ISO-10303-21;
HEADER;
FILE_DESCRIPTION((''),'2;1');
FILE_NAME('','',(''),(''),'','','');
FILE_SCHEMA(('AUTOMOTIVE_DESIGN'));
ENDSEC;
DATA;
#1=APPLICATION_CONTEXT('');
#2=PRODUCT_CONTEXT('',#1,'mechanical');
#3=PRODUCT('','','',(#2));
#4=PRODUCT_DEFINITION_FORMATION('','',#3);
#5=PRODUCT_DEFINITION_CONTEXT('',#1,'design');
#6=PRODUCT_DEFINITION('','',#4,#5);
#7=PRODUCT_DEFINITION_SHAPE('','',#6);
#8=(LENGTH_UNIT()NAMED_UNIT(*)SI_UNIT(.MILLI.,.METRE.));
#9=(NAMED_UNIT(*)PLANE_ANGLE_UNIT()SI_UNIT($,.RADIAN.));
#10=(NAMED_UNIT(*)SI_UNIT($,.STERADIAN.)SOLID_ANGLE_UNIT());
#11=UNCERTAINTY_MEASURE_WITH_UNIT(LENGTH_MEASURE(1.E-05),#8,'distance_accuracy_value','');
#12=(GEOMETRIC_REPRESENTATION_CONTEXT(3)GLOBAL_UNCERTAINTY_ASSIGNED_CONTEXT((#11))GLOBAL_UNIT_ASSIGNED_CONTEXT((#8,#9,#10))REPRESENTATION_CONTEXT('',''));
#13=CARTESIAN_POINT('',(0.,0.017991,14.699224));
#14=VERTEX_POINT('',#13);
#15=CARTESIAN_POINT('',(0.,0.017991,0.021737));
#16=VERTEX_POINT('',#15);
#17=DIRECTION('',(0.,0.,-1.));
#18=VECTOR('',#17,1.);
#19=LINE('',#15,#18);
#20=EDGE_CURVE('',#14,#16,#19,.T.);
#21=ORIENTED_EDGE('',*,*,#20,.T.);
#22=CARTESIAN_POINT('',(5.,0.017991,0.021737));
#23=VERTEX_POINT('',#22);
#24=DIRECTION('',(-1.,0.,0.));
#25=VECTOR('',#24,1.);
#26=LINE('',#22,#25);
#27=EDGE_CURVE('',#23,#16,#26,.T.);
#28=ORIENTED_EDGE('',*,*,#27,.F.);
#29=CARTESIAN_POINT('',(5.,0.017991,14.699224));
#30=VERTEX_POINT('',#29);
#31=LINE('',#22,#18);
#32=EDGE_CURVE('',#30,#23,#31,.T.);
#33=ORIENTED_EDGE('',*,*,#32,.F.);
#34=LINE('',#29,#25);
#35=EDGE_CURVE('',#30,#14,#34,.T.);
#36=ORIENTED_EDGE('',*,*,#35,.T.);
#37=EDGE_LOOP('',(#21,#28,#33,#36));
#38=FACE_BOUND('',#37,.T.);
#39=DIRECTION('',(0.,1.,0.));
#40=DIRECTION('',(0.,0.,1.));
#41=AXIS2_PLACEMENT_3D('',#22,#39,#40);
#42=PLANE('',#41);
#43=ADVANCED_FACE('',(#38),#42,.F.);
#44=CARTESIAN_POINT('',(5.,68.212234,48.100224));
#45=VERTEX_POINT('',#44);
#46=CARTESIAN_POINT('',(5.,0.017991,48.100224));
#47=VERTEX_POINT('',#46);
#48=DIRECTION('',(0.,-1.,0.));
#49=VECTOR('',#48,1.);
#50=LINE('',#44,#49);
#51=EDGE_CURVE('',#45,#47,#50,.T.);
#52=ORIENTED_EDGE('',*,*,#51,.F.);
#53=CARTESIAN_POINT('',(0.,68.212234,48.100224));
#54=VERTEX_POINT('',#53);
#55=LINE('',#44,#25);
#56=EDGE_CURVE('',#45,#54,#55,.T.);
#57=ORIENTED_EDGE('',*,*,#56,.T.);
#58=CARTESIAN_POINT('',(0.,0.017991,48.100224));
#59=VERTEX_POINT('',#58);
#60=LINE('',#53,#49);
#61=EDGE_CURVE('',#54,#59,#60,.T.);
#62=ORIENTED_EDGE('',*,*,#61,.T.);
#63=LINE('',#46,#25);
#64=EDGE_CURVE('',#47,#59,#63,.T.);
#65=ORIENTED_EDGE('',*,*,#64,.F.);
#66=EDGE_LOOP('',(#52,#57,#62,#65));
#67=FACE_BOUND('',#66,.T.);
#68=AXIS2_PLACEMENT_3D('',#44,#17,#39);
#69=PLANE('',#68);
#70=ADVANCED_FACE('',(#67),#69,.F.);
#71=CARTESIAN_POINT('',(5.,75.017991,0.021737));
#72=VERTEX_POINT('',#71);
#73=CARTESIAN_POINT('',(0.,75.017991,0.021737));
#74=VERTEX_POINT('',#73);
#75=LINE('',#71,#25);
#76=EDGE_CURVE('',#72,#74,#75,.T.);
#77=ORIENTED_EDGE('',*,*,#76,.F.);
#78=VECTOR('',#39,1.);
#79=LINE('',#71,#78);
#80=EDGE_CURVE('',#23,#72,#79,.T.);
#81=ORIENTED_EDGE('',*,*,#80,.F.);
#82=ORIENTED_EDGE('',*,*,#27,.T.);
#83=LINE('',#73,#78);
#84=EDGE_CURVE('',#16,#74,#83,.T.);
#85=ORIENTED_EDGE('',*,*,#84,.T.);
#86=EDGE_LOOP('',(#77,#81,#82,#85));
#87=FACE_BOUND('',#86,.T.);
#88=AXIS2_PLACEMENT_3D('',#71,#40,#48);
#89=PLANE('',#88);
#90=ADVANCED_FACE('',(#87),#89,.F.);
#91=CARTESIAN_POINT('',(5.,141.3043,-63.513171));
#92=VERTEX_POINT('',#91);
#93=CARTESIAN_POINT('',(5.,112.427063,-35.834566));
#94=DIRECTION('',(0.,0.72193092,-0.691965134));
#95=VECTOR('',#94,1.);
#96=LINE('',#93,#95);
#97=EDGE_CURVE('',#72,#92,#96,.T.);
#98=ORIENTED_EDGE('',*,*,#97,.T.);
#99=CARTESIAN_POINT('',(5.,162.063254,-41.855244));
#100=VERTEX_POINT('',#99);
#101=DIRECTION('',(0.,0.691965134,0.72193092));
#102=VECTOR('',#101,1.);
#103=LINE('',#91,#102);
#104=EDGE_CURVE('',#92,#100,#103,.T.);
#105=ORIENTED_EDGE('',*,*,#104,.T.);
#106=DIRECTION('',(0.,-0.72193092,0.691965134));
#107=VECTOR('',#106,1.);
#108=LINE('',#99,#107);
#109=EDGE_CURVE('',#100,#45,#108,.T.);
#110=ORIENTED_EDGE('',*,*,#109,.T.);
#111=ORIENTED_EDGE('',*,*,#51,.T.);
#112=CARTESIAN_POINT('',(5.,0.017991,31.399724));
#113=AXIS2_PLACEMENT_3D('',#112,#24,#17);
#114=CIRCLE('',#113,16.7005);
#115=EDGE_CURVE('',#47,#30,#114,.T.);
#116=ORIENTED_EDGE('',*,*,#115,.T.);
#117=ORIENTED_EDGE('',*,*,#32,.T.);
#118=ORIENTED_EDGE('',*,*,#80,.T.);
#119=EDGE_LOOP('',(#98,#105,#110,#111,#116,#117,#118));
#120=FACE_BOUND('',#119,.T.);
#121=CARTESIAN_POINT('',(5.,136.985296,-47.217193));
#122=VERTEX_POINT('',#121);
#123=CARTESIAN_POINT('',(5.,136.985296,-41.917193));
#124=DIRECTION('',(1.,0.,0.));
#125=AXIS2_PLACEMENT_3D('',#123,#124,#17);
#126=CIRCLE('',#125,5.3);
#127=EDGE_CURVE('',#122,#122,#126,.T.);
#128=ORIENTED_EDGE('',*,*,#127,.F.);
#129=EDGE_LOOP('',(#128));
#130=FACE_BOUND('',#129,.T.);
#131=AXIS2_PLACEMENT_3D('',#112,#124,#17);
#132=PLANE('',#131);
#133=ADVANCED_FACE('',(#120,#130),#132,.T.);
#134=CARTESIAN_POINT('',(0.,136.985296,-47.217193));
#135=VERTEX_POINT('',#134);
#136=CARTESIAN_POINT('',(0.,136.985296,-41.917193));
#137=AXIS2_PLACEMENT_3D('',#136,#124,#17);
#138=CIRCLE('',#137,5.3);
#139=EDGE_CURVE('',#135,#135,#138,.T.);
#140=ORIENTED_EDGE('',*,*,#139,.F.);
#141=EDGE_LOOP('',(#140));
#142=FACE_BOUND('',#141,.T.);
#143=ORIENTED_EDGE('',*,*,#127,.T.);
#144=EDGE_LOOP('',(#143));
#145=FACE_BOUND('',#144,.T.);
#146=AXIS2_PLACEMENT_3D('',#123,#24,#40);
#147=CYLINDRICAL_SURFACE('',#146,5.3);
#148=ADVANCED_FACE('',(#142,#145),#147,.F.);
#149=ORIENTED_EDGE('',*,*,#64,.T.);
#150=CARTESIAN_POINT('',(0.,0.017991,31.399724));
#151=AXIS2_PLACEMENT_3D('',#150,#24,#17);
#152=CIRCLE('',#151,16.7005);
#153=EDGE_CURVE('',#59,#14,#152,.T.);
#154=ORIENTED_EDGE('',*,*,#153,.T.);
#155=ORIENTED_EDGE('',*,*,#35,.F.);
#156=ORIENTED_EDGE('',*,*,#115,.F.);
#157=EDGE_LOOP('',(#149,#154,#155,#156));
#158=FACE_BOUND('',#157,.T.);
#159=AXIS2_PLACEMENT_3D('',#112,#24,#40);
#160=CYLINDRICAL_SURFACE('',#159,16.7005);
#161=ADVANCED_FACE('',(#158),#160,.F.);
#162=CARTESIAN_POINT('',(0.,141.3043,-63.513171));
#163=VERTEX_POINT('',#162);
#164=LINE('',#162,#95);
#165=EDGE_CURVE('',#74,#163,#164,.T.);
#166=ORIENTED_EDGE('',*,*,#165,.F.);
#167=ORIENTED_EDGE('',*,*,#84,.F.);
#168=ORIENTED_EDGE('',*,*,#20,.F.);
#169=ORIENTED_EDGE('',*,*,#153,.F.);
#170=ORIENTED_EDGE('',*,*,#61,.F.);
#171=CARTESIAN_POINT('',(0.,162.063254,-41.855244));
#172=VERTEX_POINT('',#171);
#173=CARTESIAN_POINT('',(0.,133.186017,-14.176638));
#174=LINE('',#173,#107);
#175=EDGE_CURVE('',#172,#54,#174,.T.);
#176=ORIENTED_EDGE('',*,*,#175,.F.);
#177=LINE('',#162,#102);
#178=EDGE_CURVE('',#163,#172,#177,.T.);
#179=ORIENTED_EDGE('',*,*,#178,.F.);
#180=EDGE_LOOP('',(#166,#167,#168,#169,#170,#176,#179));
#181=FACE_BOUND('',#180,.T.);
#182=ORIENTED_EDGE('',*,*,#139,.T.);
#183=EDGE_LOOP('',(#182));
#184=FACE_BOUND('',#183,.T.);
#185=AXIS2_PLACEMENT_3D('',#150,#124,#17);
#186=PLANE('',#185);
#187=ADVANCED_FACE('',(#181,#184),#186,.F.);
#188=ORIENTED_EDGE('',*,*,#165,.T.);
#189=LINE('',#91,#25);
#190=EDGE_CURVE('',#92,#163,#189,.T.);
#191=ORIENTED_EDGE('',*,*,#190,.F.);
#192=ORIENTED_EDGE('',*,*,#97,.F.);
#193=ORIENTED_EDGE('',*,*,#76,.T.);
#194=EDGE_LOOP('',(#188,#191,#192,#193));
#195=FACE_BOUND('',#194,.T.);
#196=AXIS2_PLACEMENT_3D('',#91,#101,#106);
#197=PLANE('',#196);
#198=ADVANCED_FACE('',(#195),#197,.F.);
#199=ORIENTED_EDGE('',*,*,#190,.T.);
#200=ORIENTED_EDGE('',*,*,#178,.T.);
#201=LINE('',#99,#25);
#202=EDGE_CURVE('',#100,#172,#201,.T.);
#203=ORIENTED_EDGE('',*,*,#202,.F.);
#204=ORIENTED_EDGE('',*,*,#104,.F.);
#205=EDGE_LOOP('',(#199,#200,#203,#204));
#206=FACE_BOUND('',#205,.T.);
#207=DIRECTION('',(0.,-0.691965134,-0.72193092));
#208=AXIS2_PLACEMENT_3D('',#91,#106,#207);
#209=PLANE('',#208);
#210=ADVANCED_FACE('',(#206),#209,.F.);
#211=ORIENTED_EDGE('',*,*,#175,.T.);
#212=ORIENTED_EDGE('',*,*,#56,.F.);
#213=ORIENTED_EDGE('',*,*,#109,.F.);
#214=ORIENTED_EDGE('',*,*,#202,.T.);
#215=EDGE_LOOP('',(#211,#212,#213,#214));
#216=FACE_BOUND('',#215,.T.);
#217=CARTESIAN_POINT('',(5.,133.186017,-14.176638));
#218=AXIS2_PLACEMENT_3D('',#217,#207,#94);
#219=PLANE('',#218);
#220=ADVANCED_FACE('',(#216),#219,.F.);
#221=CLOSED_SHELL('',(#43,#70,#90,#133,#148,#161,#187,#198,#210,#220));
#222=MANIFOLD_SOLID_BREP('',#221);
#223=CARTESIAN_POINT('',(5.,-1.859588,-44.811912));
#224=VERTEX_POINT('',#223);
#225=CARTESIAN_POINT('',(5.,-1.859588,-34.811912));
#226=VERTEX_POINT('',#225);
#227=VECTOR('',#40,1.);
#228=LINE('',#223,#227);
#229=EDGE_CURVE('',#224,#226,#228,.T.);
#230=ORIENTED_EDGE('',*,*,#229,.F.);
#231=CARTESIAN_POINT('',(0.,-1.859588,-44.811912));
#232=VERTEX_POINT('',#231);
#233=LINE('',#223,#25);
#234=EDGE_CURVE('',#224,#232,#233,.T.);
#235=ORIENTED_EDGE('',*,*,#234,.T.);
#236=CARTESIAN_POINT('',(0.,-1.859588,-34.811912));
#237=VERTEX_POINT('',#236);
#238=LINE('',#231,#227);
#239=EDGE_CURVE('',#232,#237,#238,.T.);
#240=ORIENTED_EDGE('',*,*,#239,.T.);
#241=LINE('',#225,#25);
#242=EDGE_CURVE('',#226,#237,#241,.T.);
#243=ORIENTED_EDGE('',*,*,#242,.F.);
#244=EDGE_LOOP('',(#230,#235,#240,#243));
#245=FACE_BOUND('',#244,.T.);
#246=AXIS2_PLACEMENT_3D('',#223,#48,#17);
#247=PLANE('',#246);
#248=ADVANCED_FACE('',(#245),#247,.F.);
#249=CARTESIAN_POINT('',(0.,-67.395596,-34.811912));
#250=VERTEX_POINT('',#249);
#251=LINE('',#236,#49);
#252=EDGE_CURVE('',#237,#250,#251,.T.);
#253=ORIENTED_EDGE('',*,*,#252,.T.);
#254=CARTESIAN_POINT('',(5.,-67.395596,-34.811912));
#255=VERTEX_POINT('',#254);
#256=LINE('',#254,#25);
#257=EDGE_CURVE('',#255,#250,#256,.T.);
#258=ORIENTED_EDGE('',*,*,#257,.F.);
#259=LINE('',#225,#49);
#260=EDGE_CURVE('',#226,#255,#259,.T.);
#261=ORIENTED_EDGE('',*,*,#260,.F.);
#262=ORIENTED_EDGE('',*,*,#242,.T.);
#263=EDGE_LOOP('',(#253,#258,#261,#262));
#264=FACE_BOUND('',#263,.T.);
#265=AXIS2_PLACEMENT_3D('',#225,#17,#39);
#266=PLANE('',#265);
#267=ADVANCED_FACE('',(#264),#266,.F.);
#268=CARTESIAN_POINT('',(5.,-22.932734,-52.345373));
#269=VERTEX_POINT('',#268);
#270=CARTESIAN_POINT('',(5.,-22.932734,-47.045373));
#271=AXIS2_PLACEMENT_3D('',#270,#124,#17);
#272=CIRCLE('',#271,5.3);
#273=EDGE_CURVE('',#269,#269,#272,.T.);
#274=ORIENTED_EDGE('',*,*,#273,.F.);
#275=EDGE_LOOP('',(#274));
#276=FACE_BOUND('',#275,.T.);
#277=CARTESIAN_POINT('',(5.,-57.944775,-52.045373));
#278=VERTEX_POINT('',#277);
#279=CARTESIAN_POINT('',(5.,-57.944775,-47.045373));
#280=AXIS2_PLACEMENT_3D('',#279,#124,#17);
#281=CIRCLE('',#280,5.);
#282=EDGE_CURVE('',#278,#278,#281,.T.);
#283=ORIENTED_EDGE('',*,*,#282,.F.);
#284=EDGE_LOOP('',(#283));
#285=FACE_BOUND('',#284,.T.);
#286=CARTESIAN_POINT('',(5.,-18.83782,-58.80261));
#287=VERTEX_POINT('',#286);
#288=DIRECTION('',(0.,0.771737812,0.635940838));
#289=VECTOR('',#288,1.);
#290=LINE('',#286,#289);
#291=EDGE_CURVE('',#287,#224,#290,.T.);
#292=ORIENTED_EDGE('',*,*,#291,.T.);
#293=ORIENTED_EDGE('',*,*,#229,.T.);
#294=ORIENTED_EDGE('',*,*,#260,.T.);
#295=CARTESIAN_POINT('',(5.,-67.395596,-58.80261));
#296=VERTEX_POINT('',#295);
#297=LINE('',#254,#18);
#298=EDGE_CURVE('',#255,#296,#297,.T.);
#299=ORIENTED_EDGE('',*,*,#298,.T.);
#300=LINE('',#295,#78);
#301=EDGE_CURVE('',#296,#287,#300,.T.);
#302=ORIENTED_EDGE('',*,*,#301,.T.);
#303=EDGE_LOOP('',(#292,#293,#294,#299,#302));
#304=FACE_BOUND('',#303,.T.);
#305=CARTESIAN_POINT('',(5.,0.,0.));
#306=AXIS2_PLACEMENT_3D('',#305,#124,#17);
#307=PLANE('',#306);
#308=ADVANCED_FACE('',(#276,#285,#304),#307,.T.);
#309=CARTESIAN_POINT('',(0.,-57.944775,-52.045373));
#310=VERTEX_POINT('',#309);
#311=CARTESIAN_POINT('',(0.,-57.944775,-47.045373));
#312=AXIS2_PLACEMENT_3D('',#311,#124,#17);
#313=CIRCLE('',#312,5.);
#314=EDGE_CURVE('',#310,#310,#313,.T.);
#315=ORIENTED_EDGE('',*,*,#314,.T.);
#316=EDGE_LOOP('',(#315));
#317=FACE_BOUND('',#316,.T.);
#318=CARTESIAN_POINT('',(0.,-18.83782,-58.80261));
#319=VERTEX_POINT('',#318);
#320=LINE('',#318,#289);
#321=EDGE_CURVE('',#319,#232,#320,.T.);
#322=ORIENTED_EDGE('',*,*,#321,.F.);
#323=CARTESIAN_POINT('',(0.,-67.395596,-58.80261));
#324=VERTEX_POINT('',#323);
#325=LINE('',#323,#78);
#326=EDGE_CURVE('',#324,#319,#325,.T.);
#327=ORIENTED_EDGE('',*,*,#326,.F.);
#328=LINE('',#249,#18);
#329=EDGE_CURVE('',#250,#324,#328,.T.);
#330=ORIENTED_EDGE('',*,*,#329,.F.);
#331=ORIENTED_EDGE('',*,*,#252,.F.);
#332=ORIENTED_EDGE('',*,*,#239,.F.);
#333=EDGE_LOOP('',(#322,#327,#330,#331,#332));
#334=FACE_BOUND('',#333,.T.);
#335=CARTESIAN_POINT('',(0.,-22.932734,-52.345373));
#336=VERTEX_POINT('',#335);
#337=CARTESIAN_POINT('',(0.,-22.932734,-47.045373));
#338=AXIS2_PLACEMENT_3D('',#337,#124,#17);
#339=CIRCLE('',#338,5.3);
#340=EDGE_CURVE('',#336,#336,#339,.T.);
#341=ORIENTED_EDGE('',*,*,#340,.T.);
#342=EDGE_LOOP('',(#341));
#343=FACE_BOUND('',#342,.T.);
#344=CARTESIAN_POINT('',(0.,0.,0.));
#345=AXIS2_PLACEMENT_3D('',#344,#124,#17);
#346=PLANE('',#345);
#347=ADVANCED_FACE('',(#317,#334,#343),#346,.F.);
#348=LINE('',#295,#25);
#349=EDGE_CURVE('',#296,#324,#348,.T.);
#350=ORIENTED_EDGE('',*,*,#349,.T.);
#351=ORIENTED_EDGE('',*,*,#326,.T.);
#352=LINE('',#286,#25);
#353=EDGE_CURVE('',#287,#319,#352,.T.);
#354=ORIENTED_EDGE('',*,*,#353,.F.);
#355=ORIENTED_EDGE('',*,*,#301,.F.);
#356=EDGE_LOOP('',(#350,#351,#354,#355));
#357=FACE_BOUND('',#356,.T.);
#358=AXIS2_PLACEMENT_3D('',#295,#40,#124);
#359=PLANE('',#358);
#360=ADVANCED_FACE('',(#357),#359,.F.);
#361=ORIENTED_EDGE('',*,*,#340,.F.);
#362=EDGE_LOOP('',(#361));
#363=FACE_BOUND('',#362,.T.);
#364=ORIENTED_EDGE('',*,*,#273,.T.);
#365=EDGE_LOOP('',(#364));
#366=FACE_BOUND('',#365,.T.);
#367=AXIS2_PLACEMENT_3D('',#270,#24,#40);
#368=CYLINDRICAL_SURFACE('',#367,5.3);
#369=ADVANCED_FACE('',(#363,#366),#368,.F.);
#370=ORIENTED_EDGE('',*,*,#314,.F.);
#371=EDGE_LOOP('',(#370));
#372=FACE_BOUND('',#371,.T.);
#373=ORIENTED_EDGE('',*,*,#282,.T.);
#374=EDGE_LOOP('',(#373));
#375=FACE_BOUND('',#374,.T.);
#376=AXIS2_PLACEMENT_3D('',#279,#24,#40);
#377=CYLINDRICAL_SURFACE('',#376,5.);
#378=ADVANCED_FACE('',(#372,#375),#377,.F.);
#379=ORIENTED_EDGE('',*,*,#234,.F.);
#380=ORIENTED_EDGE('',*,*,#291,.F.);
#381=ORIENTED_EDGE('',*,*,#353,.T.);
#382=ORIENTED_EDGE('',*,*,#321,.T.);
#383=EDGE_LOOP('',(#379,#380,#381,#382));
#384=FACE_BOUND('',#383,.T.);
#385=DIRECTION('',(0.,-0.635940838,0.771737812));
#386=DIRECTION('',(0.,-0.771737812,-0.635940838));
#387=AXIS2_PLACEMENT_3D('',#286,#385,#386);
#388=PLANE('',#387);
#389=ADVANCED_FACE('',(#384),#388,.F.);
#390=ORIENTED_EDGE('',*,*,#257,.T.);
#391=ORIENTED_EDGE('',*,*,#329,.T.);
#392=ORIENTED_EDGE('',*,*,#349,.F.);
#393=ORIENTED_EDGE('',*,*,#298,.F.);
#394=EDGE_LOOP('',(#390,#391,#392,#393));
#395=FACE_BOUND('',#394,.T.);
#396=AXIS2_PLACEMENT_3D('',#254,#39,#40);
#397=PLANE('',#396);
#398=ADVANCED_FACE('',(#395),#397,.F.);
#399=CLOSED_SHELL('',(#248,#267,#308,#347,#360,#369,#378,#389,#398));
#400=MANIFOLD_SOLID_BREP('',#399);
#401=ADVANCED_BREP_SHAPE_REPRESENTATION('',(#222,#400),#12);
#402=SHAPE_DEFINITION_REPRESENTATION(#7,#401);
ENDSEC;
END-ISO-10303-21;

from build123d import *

# Parameters (mm, degrees)
CROQUIS1_R                = 5.3
SALIENTE_EXTRUIR1_DEPTH   = 5
CROQUIS1_R_2              = 5
SALIENTE_EXTRUIR1_2_DEPTH = 5


with BuildPart() as part:
    # Croquis1 → Saliente-Extruir1 (new body)
    with BuildSketch(Plane(origin=(0, 0, 0), x_dir=(0, 0, -1), z_dir=(1, 0, 0))):
        with BuildLine():
            Line((63.513171272, 141.30430007), (35.834565908, 112.427063272))
            Line((35.834565908, 112.427063272), (-0.021736706, 75.017991259))
            Line((-0.021736706, 75.017991259), (-0.021736706, 0.017991259))
            Line((-0.021736706, 0.017991259), (-14.69922376, 0.017991259))
            ThreePointArc((-14.69922376, 0.017991259), (-31.39972376, 16.718491259), (-48.10022376, 0.017991259))
            Line((-48.10022376, 0.017991259), (-48.10022376, 68.212234499))
            Line((-48.10022376, 68.212234499), (14.176638309, 133.186017295))
            Line((14.176638309, 133.186017295), (41.855243673, 162.063254093))
            Line((41.855243673, 162.063254093), (63.513171272, 141.30430007))
        make_face()
        with Locations((41.917193234, 136.985296196)):
            Circle(CROQUIS1_R, mode=Mode.SUBTRACT)
    extrude(amount=SALIENTE_EXTRUIR1_DEPTH)


with BuildPart() as body_2:
    # Croquis1 → Saliente-Extruir1 2 (new body)
    with BuildSketch(Plane(origin=(0, 0, 0), x_dir=(0, 0, -1), z_dir=(1, 0, 0))):
        Polygon((58.80261038, -67.395595521), (58.80261038, -18.837819707), (44.811911953, -1.859587834), (34.811911953, -1.859587834), (34.811911953, -67.395595521), align=None)
        with Locations((47.045373173, -22.932733847)):
            Circle(CROQUIS1_R, mode=Mode.SUBTRACT)
        with Locations((47.045373173, -57.944775054)):
            Circle(CROQUIS1_R_2, mode=Mode.SUBTRACT)
    extrude(amount=SALIENTE_EXTRUIR1_2_DEPTH)


solid = Compound([part.part, body_2.part])
